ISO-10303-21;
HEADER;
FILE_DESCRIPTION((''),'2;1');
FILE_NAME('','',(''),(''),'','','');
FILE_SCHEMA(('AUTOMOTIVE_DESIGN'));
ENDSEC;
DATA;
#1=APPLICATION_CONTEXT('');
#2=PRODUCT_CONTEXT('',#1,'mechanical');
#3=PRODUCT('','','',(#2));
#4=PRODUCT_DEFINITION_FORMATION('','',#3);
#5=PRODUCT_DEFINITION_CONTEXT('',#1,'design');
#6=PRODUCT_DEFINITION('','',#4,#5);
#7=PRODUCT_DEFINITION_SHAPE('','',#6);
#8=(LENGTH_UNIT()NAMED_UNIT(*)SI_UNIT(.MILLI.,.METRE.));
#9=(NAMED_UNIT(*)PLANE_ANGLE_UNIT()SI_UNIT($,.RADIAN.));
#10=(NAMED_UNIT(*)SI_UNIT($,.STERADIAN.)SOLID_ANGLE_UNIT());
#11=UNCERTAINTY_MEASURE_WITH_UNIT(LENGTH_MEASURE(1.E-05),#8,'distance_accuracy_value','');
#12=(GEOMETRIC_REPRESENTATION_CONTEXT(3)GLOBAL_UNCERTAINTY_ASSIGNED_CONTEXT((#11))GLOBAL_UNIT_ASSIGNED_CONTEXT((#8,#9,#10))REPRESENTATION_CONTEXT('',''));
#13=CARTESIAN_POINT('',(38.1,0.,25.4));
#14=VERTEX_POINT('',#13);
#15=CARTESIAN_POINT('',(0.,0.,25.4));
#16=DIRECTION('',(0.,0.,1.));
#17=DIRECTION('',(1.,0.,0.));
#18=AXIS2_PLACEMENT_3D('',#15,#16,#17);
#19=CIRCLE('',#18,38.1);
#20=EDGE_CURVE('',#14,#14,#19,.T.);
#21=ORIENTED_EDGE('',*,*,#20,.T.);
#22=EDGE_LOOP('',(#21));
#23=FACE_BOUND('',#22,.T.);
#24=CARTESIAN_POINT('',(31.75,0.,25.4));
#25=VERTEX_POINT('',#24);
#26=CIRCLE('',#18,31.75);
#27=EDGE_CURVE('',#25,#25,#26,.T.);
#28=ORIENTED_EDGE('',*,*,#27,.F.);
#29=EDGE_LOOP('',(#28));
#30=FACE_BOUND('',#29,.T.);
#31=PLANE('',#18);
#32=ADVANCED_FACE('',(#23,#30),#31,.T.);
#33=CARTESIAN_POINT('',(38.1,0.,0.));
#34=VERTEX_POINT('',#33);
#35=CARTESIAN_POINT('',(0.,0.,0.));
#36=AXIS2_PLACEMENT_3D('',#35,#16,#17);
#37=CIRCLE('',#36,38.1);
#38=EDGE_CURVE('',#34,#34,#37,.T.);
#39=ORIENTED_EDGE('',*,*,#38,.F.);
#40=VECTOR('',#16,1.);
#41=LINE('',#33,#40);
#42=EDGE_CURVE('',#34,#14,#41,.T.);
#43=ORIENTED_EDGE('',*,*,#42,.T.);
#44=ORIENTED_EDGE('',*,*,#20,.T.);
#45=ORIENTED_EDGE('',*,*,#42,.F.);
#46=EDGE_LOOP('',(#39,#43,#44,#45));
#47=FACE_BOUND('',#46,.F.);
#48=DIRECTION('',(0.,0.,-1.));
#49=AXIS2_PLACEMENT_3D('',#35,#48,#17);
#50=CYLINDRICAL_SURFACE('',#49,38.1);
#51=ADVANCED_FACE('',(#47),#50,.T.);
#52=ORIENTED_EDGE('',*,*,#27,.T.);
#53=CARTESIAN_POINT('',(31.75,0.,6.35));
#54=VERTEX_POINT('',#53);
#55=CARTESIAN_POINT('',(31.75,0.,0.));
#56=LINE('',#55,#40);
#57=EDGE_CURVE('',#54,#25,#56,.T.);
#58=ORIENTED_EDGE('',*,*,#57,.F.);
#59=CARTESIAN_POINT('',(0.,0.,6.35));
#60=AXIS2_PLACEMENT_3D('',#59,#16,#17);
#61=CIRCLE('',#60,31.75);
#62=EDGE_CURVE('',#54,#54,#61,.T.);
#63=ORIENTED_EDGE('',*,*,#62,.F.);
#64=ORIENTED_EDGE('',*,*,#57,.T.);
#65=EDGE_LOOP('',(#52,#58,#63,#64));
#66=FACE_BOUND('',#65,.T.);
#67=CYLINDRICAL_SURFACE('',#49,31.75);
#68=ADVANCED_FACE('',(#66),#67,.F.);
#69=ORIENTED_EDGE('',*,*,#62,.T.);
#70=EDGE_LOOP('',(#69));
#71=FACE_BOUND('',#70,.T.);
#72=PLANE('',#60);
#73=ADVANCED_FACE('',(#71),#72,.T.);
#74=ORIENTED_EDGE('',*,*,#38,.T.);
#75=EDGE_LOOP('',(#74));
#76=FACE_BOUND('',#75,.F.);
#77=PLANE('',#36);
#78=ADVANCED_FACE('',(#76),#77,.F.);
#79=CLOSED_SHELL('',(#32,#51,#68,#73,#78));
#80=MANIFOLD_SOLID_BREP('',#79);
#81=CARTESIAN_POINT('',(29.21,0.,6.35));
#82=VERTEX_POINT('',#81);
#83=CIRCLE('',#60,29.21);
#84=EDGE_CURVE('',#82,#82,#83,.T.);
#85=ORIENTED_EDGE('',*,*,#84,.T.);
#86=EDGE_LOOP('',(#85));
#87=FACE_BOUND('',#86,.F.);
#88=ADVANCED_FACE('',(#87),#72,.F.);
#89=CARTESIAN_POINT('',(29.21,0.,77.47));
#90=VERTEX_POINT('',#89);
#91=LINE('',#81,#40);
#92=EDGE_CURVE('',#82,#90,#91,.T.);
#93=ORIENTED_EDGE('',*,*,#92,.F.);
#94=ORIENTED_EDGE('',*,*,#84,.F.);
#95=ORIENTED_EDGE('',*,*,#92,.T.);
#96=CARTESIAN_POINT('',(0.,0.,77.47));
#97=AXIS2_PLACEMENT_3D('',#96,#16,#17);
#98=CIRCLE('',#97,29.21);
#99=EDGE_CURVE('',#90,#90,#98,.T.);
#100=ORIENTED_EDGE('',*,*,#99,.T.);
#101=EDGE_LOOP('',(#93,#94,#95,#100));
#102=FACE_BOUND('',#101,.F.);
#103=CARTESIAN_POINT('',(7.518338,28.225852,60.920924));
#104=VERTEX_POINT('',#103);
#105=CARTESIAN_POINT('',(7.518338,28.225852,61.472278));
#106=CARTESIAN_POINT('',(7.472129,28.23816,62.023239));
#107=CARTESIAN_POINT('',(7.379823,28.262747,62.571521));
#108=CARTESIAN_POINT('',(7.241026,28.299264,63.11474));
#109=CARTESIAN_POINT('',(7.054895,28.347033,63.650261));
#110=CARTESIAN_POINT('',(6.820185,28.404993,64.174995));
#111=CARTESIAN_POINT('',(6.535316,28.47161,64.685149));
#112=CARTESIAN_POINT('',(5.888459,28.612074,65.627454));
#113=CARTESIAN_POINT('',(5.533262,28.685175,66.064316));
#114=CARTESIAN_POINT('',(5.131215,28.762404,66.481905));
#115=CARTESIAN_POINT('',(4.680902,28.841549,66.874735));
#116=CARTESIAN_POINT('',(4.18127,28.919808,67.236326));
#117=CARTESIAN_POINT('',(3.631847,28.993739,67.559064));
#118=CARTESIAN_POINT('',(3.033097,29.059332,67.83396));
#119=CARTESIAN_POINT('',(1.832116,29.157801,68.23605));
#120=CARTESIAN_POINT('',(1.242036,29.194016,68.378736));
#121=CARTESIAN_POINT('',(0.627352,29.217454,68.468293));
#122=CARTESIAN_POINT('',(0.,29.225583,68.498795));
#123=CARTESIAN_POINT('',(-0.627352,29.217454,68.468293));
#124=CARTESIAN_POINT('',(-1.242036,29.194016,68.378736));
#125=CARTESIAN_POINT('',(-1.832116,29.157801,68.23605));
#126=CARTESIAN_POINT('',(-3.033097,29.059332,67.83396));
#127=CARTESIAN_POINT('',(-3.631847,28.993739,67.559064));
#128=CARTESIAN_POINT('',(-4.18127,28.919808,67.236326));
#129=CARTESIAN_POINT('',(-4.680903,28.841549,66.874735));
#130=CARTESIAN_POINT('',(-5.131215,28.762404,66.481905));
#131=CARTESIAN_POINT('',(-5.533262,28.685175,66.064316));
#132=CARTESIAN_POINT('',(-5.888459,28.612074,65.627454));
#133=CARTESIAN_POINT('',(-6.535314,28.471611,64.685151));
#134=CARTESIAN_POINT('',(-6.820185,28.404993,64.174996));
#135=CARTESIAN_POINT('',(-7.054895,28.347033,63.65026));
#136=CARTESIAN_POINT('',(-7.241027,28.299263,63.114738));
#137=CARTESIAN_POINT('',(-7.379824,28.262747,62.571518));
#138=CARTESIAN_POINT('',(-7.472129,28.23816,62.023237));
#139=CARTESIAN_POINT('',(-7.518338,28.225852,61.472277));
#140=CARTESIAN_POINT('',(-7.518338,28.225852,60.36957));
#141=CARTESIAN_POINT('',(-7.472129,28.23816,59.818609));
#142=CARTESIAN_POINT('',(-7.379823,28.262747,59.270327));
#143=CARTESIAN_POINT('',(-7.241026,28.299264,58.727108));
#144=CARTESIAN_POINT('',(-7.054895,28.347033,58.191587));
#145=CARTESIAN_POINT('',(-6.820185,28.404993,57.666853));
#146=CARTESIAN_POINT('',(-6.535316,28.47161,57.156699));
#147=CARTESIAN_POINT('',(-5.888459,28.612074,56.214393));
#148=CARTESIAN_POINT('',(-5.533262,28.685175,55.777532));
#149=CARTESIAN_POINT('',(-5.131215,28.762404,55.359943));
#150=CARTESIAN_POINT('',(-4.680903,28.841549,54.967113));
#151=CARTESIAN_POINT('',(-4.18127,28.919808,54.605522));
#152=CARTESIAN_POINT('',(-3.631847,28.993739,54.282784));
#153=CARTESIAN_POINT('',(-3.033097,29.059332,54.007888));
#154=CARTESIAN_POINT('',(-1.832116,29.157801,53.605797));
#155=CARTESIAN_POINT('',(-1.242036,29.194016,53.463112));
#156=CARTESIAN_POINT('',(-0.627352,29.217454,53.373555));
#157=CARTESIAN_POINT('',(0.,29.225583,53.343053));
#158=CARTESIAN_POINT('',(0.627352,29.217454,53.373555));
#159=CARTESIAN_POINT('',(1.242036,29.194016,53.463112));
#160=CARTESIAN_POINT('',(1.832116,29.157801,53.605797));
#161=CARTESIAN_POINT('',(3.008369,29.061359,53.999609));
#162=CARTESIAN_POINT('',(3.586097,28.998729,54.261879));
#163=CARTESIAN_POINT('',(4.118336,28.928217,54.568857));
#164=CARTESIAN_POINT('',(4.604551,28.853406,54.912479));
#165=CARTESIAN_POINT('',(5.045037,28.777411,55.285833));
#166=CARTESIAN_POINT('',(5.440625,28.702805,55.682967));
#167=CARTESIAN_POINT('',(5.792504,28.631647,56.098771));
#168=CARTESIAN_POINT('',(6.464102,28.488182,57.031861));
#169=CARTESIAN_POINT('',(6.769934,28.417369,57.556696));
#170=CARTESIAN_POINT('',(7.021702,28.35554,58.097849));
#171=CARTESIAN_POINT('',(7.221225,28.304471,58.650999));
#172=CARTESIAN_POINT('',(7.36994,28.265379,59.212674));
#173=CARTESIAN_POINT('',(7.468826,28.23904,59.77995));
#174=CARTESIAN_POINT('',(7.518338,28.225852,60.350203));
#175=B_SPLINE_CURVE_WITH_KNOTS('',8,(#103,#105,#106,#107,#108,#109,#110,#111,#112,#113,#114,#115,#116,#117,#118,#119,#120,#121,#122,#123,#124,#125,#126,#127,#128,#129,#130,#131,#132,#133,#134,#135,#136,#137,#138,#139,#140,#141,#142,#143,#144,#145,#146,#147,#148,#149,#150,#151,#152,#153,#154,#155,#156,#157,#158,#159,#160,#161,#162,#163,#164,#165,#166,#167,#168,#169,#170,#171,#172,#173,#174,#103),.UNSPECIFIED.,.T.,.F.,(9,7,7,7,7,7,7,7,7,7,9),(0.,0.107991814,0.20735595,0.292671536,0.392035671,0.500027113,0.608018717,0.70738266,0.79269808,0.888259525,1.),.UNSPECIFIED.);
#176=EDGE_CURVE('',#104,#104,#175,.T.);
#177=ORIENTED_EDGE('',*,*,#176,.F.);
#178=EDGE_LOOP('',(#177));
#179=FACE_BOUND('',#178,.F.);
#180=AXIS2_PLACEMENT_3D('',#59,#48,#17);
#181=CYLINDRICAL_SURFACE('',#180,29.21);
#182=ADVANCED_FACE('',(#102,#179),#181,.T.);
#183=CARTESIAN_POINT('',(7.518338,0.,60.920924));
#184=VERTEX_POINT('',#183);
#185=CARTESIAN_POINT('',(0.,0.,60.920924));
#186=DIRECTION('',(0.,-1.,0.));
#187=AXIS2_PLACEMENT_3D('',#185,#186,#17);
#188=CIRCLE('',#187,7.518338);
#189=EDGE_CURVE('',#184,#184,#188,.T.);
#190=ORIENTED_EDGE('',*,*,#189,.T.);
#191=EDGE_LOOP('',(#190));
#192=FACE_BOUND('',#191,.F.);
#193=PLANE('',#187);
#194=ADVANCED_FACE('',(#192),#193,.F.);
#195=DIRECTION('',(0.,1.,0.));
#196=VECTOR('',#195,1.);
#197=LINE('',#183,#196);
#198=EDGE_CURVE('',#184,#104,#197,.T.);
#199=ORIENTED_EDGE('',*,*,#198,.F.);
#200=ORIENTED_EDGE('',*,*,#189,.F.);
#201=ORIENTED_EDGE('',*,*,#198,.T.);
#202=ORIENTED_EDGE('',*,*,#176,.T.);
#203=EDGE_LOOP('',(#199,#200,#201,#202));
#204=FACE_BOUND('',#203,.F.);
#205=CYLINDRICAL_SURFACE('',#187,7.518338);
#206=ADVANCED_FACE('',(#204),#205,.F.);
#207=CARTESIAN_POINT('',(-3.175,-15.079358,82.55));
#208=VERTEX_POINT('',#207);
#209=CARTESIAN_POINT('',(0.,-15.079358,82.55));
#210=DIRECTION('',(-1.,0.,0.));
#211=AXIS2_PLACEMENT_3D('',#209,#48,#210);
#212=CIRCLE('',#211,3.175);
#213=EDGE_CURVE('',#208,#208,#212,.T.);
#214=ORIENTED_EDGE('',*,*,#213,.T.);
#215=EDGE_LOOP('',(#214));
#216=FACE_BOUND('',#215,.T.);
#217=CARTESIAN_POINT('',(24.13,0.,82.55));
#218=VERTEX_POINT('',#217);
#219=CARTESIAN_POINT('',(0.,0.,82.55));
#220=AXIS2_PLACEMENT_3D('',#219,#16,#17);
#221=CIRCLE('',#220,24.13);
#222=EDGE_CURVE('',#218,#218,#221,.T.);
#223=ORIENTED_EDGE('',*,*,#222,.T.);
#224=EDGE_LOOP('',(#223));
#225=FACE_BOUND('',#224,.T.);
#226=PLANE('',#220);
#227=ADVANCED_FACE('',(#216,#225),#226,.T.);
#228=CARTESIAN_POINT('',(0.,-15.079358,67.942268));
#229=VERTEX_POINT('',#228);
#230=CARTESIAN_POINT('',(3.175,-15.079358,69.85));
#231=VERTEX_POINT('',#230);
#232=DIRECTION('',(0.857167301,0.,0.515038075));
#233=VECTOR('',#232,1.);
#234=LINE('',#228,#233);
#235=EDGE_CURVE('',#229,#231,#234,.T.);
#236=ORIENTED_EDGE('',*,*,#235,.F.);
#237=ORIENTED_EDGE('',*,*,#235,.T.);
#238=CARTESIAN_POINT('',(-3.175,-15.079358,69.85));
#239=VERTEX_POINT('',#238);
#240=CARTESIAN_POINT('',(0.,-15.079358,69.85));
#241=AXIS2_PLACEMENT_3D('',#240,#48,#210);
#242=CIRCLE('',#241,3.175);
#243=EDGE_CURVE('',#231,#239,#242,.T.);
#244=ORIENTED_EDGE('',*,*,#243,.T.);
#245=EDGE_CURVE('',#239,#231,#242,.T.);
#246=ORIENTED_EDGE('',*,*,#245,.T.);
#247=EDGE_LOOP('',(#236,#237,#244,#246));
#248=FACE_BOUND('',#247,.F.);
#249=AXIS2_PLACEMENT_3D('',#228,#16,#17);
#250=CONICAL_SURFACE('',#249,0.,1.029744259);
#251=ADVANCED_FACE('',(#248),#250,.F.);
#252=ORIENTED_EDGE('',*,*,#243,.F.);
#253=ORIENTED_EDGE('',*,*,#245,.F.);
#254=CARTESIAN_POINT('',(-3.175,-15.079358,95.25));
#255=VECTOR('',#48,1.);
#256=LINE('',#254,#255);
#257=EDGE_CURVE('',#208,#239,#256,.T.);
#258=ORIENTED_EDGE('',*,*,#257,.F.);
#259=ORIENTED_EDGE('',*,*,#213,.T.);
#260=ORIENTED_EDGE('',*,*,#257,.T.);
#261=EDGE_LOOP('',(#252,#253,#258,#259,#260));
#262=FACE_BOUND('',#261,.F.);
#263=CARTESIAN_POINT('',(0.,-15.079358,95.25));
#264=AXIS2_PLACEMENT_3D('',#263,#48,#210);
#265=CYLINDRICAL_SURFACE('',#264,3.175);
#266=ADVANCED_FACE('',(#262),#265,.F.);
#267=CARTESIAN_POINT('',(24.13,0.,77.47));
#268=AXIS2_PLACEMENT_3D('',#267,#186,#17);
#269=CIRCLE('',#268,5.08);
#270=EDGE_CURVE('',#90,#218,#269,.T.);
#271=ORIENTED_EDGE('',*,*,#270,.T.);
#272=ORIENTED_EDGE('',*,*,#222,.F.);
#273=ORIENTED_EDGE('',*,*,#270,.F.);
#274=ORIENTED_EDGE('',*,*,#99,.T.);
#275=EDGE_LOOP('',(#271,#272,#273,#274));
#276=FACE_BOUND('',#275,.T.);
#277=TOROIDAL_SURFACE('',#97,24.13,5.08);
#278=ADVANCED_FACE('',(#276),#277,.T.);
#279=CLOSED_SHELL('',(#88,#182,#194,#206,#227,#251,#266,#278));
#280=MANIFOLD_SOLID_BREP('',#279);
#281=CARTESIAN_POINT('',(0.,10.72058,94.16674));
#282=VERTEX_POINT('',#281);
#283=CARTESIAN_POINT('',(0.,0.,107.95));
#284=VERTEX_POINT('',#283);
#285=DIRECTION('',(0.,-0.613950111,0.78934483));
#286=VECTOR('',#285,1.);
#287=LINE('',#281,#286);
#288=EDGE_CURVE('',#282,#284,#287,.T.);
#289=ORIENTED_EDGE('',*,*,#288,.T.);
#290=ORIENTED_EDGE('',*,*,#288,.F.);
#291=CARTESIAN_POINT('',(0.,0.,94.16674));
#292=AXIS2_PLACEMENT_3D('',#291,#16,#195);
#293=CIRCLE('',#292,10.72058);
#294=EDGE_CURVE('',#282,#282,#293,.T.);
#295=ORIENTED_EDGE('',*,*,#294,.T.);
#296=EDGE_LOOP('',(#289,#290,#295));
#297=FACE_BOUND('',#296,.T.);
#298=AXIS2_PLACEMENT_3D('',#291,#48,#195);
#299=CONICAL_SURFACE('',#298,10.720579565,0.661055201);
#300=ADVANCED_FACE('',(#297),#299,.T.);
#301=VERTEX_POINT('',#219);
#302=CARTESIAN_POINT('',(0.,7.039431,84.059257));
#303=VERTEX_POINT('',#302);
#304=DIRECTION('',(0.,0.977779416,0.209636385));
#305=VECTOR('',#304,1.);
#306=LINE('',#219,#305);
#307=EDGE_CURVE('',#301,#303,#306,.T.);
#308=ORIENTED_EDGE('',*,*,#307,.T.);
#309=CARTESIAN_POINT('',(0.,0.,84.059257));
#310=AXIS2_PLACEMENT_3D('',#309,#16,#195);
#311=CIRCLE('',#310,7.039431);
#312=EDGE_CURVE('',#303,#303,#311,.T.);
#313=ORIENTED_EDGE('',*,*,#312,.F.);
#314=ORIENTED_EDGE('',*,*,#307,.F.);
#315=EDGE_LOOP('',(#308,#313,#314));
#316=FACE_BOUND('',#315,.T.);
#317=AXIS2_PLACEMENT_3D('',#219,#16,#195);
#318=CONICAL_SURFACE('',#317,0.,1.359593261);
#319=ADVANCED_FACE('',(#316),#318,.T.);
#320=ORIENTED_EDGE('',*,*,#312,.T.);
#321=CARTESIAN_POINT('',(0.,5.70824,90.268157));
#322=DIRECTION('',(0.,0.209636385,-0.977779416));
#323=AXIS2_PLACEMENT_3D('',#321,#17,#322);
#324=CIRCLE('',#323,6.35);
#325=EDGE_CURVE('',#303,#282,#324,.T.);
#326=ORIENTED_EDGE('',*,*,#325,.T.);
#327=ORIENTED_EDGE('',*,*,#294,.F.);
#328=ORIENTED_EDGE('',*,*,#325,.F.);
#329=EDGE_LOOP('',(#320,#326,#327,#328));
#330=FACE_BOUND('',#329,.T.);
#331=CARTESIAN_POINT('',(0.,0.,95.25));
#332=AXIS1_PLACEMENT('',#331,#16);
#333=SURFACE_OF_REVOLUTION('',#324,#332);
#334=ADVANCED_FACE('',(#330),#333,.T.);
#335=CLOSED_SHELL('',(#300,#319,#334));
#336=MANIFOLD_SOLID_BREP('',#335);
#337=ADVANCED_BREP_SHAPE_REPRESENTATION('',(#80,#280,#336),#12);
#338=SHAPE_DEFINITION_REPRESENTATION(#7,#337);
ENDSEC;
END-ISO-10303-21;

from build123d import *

# Parameters (mm, degrees)
F0_R      = 31.75
F1_DEPTH  = 6.35
F0_R_2    = 38.1
F2_DEPTH  = 25.4
F3_R      = 29.21
F4_DEPTH  = 76.2
F7_R      = 5.08
F9_R      = 7.5183379437
F10_DEPTH = 76.2
F11_D     = 6.35
F11_DEPTH = 12.7
F11_TIP   = 1.9077324654


with BuildPart() as f1:
    # F0 (on Top) → F1 (new body)
    with BuildSketch(Plane.XY):
        Circle(F0_R)
    extrude(amount=F1_DEPTH)

    # F0 (on Top) → F2 (join)
    with BuildSketch(Plane.XY):
        Circle(F0_R_2)
        Circle(F0_R, mode=Mode.SUBTRACT)
    extrude(amount=F2_DEPTH)


with BuildPart() as f4:
    # F3 (on face) → F4 (new body)
    with BuildSketch(Plane.XY.offset(6.35)):
        Circle(F3_R)
    extrude(amount=F4_DEPTH)

    # F7
    f7_edges = [f4.edges().sort_by_distance(p)[0] for p in [
        (-29.21, 0, 82.55),
    ]]
    fillet(f7_edges, radius=F7_R)

    # F9 (on Front) → F10 (cut)
    with BuildSketch(Plane.XZ):
        with Locations((0, 60.9209239483)):
            Circle(F9_R)
    extrude(amount=-F10_DEPTH, mode=Mode.SUBTRACT)

    # F11
    with Locations(Plane.XY.offset(82.55)):
        with Locations((0, -15.0793576613)):
            Hole(F11_D / 2, depth=F11_DEPTH)
            with Locations((0, 0, -(F11_DEPTH + F11_TIP / 2))):  # 118° drill point
                Cone(0, F11_D / 2, F11_TIP, mode=Mode.SUBTRACT)


with BuildPart() as f6:
    # F5 (on Right) → F6 (revolve)
    with BuildSketch(Plane.YZ):
        with BuildLine():
            Line((0, 107.95), (0, 82.55))
            Line((0, 82.55), (7.0394309357, 84.0592574321))
            ThreePointArc((7.0394309357, 84.0592574321), (11.6748466424, 88.0951164777), (10.7205795649, 94.1667399307))
            Line((10.7205795649, 94.1667399307), (0, 107.95))
        make_face()
    revolve(axis=Axis((0, 0, 95.25), (0, 0, 1)))


solid = Compound([f1.part, f4.part, f6.part])
